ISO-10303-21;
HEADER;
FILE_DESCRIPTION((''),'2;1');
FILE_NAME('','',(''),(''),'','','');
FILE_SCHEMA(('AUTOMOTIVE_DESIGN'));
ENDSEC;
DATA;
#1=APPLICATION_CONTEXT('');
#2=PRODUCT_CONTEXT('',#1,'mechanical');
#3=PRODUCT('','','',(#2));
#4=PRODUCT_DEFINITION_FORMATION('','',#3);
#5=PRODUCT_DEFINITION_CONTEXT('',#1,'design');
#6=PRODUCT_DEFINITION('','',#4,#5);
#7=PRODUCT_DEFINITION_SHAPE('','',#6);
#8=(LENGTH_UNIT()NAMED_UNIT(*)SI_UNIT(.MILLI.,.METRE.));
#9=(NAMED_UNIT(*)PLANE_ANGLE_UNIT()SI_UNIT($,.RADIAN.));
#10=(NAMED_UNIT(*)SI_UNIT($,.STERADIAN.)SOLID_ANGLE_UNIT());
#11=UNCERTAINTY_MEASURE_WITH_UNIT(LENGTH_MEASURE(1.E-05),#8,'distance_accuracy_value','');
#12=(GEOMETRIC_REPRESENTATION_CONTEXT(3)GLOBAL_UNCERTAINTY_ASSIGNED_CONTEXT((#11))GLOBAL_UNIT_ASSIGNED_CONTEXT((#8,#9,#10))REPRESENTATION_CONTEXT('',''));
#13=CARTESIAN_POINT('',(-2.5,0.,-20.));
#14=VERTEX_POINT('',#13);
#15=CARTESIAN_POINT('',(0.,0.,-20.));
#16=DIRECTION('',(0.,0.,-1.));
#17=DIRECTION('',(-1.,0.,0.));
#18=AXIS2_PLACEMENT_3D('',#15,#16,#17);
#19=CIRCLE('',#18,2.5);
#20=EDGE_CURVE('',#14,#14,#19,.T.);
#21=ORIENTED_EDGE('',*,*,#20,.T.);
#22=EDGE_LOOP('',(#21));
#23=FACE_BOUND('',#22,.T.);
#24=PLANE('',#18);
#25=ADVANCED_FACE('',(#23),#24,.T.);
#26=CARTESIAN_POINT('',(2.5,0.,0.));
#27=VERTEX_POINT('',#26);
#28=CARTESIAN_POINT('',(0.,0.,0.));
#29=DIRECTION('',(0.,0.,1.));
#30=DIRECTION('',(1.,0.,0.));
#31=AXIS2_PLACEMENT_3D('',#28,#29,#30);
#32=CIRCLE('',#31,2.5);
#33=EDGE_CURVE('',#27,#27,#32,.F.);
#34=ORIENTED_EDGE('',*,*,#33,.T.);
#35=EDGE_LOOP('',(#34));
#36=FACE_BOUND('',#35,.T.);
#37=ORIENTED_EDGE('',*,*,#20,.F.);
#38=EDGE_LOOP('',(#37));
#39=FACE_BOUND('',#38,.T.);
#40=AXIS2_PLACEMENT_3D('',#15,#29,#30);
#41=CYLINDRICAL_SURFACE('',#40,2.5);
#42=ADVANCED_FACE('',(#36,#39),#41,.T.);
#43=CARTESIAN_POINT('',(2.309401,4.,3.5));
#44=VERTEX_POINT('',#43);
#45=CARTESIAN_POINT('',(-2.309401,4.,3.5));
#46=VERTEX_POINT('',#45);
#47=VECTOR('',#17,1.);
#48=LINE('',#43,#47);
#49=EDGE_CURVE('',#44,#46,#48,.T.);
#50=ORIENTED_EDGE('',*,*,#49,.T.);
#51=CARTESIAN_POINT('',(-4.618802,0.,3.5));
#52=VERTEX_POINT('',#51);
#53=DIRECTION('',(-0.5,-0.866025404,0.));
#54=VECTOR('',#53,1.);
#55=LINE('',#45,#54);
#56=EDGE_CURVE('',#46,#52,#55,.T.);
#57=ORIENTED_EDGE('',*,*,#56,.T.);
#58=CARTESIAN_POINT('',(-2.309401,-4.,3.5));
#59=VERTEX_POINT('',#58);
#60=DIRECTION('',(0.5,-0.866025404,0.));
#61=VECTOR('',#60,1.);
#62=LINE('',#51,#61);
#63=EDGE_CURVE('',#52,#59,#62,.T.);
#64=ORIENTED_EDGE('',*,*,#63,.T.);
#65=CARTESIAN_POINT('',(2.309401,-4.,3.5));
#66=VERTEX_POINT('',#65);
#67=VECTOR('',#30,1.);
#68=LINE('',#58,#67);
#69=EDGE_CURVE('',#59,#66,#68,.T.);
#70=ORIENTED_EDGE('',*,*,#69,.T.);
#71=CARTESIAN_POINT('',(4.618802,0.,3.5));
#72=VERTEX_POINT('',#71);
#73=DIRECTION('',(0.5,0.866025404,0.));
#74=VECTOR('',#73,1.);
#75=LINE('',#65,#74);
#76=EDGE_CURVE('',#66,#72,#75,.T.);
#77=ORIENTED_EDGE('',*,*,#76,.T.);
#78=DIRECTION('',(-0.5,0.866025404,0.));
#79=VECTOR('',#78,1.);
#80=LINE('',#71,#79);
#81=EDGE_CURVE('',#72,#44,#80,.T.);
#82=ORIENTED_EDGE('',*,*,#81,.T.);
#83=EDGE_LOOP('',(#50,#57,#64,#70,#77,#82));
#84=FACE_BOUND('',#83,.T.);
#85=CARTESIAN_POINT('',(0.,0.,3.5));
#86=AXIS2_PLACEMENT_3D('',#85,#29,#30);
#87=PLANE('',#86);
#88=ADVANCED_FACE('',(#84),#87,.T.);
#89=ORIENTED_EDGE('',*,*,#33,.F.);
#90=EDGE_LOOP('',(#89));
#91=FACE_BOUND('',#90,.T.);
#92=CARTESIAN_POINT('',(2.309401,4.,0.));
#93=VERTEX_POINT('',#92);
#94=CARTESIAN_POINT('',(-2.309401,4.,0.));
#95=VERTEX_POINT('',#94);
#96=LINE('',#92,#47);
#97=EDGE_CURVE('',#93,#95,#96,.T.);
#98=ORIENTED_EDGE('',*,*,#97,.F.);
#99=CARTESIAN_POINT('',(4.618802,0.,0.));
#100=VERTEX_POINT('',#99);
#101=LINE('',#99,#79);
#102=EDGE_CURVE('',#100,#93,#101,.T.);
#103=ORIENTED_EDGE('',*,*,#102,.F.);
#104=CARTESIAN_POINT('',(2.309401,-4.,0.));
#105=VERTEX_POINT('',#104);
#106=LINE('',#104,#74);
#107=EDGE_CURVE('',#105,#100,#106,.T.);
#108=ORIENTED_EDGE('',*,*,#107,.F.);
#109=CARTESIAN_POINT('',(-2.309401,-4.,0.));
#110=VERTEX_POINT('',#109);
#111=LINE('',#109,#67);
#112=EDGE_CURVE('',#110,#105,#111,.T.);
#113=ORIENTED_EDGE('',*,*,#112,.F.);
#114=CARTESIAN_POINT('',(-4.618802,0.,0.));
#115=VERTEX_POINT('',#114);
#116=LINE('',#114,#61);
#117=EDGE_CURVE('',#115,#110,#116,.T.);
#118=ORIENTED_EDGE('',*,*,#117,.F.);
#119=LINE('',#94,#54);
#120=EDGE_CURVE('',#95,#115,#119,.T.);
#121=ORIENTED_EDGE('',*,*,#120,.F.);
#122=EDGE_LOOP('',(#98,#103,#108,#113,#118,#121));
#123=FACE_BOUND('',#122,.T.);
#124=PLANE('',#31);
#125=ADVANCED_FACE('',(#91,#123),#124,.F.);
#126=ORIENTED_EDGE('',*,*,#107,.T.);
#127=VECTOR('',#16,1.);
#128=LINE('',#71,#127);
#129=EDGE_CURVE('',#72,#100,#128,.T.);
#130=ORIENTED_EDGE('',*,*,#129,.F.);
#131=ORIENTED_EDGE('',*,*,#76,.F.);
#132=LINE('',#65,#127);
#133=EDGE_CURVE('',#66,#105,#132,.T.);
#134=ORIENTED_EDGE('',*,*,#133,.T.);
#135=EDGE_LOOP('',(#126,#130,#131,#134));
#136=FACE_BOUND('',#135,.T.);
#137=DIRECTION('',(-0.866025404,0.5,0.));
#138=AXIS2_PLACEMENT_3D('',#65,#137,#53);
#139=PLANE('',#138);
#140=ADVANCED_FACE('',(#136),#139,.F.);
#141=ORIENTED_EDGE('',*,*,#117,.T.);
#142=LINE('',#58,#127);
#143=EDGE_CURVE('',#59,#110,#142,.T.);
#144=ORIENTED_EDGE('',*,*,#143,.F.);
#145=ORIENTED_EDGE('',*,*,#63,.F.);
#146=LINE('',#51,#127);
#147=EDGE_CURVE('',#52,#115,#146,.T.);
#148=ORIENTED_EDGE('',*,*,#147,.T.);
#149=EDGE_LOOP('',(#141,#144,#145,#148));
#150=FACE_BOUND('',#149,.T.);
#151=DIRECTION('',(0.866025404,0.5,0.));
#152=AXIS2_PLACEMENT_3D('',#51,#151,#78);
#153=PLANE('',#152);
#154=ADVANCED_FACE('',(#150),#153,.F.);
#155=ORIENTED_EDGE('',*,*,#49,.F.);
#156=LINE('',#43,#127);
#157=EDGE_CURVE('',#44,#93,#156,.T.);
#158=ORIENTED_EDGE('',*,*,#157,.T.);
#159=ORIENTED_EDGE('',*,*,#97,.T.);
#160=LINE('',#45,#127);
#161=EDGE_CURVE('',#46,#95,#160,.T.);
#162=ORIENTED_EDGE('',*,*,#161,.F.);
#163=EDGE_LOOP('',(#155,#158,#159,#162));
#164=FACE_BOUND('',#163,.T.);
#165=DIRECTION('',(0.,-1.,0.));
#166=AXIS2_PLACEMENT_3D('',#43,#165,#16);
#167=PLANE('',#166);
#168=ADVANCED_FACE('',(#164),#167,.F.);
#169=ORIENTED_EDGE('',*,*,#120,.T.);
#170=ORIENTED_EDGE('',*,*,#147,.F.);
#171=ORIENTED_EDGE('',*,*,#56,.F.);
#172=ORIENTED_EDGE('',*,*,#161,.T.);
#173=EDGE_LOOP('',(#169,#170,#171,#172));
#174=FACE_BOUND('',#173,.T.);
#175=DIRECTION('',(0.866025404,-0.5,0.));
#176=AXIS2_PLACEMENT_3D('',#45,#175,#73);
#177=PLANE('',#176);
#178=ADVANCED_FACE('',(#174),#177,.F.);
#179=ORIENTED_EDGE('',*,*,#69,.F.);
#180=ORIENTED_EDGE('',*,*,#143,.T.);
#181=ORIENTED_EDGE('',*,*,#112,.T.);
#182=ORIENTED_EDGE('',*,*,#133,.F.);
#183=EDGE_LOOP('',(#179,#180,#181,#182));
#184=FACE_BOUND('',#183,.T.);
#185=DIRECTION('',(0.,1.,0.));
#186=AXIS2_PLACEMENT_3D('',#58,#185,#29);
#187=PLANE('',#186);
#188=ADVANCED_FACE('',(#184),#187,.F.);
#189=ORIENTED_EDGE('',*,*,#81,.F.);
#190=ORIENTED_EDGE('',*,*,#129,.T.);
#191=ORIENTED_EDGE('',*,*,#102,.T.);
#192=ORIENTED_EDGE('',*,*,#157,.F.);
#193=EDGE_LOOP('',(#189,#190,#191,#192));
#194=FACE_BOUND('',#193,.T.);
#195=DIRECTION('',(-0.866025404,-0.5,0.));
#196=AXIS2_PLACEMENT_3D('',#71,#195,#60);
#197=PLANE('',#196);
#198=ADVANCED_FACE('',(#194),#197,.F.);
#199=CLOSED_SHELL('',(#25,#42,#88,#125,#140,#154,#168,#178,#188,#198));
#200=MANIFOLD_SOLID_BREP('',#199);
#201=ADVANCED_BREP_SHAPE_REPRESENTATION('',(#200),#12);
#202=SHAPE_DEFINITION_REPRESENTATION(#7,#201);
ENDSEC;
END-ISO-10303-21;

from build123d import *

# Parameters (mm, degrees)
SALIENTE_EXTRUIR1_DEPTH = 3.5
CROQUIS2_R              = 2.5
SALIENTE_EXTRUIR2_DEPTH = 20


with BuildPart() as part:
    # Croquis1 → Saliente-Extruir1 (new body)
    with BuildSketch(Plane.XY):
        Polygon((4.618802154, 0), (2.309401077, 4), (-2.309401077, 4), (-4.618802154, 0), (-2.309401077, -4), (2.309401077, -4), align=None)
    extrude(amount=SALIENTE_EXTRUIR1_DEPTH)

    # Croquis2 → Saliente-Extruir2 (add)
    with BuildSketch(Plane(origin=(0, 0, 0), x_dir=(-1, 0, 0), z_dir=(0, 0, -1))):
        with Locations(Location((0, 0, 0), (0, 0, 180))):
            Circle(CROQUIS2_R)
    extrude(amount=SALIENTE_EXTRUIR2_DEPTH)


solid = part.part
